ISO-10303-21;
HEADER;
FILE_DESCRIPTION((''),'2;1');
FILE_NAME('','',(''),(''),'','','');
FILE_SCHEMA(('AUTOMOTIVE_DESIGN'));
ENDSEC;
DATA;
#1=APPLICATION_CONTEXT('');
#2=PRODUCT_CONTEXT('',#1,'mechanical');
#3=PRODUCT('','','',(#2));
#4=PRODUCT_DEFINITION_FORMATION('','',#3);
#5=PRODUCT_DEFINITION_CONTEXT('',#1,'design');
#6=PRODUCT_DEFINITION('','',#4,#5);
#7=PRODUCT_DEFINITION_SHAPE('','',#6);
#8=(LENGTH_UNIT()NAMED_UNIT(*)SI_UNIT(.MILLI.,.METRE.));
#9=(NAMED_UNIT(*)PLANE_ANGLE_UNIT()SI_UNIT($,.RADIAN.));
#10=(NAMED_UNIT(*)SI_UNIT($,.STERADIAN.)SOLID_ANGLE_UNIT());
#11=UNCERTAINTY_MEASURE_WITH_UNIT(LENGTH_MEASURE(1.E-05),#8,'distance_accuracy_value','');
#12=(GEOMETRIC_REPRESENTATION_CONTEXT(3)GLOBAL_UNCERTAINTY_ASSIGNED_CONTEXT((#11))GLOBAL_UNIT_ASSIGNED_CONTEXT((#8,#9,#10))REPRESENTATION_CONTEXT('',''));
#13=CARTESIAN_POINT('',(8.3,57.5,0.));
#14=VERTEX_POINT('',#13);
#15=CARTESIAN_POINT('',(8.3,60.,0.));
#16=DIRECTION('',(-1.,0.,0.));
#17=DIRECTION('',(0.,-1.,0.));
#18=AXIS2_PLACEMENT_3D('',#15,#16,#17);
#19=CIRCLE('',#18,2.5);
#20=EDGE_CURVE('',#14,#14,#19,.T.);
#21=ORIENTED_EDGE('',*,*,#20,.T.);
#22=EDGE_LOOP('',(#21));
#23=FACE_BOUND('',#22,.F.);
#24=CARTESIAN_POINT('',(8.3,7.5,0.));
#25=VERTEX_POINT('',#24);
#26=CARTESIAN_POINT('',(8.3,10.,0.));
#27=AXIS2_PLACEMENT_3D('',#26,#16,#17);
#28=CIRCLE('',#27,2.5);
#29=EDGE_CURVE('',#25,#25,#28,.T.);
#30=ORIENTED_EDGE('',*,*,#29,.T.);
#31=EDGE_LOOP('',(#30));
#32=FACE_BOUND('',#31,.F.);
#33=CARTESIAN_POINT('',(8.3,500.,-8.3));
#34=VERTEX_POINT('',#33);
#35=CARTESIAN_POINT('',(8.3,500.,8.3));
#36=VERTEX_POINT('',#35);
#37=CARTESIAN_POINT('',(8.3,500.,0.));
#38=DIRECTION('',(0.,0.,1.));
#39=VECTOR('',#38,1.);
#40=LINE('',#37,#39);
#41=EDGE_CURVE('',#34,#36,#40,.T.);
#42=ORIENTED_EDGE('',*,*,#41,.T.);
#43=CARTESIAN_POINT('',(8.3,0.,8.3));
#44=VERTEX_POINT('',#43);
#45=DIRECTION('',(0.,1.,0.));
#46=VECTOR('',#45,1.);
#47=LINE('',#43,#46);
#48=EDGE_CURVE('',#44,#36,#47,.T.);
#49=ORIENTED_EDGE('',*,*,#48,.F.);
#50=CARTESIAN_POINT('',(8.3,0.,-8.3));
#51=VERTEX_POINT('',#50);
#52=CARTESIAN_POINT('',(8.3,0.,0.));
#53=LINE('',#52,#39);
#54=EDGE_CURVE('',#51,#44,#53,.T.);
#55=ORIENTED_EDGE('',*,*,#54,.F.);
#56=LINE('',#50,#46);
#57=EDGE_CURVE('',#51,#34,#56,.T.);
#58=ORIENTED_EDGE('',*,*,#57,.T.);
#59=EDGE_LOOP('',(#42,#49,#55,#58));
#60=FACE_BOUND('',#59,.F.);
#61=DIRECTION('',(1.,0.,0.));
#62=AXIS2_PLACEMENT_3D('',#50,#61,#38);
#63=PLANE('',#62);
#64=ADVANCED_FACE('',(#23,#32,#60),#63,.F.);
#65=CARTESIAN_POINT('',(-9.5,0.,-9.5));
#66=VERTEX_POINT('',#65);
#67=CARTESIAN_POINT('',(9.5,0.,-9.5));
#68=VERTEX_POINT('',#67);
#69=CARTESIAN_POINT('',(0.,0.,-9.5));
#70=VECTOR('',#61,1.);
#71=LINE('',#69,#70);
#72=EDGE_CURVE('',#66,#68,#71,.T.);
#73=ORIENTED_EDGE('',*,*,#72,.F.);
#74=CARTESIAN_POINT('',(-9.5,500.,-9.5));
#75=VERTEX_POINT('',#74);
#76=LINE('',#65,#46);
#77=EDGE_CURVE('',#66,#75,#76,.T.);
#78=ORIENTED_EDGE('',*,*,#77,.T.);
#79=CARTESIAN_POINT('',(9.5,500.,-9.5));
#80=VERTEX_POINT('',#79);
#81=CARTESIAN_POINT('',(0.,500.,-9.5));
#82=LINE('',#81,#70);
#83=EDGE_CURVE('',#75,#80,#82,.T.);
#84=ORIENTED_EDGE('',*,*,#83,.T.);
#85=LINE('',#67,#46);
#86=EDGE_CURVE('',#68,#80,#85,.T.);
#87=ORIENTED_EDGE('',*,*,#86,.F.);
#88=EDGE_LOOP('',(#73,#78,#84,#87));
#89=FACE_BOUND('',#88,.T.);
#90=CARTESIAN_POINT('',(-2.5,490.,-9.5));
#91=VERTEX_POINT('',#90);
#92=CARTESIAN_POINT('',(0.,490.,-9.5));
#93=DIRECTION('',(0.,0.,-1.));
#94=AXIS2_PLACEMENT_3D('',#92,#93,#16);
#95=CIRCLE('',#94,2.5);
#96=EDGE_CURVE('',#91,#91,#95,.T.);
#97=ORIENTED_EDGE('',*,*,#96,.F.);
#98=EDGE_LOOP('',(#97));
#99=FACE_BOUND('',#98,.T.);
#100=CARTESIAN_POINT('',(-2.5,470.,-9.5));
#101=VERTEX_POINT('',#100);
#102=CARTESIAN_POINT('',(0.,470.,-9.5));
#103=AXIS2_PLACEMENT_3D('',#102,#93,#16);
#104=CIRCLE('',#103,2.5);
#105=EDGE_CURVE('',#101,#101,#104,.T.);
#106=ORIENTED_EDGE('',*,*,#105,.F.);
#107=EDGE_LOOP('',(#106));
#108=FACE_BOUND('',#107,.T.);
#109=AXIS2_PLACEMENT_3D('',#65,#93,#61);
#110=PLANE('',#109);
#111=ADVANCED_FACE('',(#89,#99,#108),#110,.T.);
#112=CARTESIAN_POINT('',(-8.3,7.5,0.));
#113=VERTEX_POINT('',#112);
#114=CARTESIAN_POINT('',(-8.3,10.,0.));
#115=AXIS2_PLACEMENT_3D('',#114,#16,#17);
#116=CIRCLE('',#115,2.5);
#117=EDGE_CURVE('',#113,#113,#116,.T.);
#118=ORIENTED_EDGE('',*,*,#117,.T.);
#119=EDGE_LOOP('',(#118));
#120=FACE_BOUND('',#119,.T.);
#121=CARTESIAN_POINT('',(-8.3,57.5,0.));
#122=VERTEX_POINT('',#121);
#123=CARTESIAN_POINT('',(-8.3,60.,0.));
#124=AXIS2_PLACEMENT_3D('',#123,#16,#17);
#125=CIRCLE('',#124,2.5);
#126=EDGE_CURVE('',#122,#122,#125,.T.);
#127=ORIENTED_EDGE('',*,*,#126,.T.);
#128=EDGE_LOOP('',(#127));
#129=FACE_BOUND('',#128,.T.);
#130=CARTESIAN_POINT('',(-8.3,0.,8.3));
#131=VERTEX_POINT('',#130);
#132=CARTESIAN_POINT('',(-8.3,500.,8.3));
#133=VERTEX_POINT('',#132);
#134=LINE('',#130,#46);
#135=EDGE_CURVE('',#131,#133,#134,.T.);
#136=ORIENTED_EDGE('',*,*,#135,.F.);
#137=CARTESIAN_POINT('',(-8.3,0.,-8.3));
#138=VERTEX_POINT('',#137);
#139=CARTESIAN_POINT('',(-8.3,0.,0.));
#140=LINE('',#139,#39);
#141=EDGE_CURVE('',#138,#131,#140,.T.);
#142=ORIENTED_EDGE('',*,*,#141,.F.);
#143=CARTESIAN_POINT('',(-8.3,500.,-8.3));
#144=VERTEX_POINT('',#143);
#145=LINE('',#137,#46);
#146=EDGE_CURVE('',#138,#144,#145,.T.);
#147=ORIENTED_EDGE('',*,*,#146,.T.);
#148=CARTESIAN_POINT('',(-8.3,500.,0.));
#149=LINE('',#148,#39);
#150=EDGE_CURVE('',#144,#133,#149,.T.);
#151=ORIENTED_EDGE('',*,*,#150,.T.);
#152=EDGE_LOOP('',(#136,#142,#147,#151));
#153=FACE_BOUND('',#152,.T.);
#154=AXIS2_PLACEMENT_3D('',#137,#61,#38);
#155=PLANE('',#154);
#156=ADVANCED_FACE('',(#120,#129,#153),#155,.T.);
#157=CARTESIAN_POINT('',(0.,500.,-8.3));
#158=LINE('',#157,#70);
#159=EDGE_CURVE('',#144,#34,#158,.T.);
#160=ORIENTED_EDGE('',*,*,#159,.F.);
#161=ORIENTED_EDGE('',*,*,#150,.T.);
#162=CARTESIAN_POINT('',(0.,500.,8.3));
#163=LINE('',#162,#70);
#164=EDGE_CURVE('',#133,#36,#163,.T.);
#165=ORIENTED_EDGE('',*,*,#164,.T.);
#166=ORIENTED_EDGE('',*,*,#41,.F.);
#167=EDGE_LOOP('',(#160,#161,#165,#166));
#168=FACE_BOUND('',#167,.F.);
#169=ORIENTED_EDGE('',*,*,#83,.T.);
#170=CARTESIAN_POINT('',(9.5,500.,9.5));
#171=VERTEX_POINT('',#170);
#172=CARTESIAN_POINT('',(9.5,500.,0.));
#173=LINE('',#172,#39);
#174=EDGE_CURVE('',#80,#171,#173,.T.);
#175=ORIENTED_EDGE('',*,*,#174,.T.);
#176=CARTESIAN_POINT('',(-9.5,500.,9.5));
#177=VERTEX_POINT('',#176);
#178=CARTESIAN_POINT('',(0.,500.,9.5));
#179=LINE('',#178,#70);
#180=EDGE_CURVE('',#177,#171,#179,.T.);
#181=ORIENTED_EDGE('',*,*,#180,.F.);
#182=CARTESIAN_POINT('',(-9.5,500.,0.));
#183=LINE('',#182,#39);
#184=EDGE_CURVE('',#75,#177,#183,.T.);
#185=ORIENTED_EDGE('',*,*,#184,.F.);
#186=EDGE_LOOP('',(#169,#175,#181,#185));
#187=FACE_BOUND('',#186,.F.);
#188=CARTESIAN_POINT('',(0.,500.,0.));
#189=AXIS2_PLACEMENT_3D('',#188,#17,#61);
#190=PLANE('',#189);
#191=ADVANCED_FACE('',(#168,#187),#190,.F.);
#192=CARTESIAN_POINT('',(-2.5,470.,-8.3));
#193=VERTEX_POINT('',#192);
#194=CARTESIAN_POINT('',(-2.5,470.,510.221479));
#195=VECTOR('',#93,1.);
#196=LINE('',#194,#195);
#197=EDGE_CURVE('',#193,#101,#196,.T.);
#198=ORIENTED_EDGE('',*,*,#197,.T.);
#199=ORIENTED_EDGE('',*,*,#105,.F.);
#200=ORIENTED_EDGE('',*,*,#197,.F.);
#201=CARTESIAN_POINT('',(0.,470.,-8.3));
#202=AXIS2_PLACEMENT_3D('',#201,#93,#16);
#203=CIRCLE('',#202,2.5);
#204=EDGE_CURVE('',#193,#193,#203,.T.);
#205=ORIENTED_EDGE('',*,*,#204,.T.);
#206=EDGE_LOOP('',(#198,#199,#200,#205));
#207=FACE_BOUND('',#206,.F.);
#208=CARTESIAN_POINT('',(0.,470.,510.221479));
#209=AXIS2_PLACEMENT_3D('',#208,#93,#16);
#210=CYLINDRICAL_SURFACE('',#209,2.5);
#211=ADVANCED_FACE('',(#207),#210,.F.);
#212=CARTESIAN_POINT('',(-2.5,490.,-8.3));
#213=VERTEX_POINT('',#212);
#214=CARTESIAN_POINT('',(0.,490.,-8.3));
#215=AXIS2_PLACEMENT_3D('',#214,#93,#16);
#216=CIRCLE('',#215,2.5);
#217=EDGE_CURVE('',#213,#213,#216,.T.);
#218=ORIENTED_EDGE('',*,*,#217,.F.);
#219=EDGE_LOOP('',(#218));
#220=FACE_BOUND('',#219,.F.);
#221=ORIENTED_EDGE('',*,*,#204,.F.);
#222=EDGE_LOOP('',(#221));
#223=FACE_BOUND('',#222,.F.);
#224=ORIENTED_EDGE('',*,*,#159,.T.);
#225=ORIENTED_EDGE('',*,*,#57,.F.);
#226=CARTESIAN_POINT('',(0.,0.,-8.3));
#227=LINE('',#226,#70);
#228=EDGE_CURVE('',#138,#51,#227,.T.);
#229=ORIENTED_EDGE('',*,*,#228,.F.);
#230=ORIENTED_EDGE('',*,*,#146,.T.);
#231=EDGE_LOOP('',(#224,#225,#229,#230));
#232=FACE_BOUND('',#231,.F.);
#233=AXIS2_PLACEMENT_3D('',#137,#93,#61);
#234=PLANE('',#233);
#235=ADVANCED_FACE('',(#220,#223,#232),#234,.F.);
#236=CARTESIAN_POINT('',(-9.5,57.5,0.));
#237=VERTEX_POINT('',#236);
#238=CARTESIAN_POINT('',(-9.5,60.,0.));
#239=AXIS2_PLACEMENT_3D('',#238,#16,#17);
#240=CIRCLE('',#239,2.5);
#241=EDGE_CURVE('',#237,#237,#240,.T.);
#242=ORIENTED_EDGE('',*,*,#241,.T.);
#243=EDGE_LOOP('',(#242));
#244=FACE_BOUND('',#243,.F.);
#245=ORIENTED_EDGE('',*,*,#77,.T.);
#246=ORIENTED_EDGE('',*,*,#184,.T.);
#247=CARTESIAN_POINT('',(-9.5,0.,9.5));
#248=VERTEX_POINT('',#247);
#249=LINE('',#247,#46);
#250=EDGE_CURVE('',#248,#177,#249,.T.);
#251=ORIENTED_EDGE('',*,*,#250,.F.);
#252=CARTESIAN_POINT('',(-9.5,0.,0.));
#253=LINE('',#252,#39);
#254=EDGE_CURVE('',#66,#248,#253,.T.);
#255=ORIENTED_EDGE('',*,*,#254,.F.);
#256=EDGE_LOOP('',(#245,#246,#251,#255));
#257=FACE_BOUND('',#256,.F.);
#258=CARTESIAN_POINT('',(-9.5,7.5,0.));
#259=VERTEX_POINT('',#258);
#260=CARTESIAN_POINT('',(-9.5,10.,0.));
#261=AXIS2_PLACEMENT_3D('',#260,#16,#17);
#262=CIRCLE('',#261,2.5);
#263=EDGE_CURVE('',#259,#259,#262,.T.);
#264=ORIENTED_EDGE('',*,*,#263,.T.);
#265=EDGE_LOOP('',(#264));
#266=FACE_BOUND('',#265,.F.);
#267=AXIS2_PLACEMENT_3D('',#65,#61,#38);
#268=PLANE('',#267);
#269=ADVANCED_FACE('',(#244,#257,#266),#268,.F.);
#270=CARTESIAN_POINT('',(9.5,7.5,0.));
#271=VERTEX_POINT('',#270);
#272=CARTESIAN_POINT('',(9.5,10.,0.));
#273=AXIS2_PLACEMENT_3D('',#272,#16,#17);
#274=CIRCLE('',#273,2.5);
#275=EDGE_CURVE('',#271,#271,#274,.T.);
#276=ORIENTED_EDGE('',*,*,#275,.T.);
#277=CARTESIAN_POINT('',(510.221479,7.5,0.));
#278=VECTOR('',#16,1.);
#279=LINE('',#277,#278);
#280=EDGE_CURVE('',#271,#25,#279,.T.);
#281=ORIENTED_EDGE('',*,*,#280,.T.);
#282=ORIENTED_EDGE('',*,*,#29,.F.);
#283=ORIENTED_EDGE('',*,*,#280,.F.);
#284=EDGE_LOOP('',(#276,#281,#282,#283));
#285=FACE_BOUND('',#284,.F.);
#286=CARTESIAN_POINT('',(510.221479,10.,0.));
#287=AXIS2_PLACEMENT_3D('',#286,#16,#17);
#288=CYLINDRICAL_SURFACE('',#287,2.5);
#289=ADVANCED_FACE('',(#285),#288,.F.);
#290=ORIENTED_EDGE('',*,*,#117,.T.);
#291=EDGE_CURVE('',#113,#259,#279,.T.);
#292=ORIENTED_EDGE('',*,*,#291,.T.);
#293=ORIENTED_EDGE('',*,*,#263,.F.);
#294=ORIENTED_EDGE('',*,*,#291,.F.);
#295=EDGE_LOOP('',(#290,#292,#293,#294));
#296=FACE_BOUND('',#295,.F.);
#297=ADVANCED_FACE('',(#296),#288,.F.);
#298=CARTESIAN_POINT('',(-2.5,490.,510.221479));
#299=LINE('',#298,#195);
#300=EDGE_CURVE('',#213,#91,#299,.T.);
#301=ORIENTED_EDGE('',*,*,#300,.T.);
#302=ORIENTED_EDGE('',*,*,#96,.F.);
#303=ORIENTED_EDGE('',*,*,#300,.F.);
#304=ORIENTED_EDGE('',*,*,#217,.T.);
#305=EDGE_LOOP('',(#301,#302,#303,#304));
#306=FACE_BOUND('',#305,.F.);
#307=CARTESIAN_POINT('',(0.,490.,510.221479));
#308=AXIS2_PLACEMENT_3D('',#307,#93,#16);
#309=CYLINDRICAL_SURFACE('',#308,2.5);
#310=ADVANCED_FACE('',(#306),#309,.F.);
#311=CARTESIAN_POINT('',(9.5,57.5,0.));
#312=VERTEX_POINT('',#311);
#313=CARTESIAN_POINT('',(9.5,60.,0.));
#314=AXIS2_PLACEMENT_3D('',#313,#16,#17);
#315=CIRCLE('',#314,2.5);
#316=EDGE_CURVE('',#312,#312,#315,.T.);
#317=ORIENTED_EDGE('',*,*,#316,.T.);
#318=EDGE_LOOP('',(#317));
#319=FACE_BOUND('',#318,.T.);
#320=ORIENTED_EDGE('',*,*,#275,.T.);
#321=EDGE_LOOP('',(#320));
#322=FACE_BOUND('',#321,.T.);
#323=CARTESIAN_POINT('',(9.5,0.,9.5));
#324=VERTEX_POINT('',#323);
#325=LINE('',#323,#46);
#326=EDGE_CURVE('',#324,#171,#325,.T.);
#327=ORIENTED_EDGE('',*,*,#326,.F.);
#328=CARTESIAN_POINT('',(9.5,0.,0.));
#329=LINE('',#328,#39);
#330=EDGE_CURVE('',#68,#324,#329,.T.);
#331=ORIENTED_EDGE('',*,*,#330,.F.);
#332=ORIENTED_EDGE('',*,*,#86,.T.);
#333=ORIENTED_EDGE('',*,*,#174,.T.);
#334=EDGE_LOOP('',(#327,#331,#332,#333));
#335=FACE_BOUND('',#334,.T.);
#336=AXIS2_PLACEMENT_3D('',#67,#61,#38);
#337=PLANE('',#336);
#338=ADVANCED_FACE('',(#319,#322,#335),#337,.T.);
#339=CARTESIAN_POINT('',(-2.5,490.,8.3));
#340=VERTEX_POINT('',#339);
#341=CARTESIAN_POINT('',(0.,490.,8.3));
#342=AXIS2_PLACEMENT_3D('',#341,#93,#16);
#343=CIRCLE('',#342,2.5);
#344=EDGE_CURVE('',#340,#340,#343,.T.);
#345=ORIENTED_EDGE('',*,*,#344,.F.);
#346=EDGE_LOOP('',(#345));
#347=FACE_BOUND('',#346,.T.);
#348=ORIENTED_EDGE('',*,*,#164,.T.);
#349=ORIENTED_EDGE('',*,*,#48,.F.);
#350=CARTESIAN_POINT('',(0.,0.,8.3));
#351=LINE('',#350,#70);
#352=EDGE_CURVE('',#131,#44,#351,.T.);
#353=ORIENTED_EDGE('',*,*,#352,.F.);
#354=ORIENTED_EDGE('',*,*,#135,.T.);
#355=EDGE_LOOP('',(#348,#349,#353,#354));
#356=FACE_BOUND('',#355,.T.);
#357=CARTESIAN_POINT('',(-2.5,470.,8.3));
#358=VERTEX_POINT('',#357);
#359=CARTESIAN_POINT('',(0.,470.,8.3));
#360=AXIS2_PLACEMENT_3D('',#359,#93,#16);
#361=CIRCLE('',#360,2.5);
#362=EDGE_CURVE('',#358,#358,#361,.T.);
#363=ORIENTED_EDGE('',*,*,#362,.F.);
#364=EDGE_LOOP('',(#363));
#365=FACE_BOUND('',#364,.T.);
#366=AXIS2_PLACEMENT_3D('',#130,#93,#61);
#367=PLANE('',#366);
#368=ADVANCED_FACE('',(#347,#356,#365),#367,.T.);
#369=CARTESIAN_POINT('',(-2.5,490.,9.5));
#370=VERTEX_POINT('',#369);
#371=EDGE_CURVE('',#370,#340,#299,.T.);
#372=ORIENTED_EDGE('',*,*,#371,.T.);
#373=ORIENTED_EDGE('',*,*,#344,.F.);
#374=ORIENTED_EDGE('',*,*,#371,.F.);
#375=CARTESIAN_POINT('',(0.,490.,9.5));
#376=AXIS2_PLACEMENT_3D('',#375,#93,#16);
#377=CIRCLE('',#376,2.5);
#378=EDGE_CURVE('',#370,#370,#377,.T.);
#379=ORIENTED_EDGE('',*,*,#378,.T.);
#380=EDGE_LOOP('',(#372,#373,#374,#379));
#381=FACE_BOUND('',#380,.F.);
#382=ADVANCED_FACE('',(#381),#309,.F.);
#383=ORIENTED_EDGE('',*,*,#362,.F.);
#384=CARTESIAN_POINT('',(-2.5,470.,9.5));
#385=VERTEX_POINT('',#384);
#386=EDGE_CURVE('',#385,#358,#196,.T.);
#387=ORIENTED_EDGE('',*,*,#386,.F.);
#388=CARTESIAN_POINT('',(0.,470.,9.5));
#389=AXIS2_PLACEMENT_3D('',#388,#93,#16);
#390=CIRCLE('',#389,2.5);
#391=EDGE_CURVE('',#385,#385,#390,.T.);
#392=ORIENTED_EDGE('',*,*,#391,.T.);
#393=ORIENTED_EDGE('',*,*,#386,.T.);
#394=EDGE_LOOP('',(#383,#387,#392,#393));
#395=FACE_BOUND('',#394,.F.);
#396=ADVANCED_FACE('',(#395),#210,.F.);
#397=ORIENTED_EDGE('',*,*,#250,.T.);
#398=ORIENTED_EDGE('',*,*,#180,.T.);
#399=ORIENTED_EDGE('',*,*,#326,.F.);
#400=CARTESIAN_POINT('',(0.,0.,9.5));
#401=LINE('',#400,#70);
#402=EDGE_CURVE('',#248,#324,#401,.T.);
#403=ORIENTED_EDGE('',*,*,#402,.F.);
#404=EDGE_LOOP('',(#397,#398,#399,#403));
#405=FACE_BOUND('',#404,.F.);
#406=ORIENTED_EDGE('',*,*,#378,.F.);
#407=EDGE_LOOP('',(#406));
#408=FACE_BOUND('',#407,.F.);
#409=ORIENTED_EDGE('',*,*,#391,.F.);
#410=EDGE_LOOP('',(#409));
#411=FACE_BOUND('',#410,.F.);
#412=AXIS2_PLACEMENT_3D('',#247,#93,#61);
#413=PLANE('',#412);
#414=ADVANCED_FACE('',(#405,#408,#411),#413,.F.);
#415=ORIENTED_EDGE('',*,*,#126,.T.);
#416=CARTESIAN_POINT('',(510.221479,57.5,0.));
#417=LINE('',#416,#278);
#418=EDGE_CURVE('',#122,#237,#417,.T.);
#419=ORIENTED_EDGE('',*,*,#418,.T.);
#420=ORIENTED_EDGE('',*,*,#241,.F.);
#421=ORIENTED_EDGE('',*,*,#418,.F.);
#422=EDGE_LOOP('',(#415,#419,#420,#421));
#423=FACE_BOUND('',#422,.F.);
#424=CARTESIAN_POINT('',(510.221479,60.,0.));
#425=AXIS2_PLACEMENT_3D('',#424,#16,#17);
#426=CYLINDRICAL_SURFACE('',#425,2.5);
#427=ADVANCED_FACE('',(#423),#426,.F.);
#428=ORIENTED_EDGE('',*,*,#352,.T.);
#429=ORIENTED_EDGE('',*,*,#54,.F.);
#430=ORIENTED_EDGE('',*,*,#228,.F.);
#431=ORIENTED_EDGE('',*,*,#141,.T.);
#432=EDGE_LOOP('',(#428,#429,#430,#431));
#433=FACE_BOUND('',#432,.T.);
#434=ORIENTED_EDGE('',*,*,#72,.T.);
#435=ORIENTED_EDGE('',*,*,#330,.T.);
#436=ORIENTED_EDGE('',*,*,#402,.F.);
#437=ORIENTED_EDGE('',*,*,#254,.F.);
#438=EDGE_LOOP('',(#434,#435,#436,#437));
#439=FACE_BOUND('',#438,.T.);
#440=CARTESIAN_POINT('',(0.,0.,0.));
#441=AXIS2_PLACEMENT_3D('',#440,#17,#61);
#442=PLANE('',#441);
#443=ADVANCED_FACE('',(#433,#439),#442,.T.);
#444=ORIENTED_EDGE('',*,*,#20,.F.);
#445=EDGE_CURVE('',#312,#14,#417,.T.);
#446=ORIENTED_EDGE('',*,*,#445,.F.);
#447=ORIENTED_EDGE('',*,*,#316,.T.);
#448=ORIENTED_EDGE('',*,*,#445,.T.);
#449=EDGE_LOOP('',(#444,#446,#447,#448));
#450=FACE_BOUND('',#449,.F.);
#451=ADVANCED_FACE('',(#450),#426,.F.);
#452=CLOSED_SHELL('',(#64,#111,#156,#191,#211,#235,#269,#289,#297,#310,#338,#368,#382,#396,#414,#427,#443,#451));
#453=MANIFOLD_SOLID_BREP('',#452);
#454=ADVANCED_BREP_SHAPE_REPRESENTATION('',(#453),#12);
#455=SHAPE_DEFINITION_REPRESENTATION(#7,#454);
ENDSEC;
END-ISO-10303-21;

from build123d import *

# Parameters (mm, degrees)
F1_W     = 19
F1_H     = 19
F1_W_2   = 16.6
F1_H_2   = 16.6
F2_DEPTH = 500
F4_D     = 5
F6_D     = 5


with BuildPart() as f2:
    # F1 (on Front) → F2 (new body)
    with BuildSketch(Plane.XZ):
        Rectangle(F1_W, F1_H)
        Rectangle(F1_W_2, F1_H_2, mode=Mode.SUBTRACT)
    extrude(amount=-F2_DEPTH)

    # F4 (through all)
    with Locations(Plane.XY.offset(9.5)):
        with Locations((0, 490), (0, 470)):
            Hole(F4_D / 2)

    # F6 (through all)
    with Locations(Plane.YZ.offset(9.5)):
        with Locations((10, 0), (60, 0)):
            Hole(F6_D / 2)


solid = f2.part
